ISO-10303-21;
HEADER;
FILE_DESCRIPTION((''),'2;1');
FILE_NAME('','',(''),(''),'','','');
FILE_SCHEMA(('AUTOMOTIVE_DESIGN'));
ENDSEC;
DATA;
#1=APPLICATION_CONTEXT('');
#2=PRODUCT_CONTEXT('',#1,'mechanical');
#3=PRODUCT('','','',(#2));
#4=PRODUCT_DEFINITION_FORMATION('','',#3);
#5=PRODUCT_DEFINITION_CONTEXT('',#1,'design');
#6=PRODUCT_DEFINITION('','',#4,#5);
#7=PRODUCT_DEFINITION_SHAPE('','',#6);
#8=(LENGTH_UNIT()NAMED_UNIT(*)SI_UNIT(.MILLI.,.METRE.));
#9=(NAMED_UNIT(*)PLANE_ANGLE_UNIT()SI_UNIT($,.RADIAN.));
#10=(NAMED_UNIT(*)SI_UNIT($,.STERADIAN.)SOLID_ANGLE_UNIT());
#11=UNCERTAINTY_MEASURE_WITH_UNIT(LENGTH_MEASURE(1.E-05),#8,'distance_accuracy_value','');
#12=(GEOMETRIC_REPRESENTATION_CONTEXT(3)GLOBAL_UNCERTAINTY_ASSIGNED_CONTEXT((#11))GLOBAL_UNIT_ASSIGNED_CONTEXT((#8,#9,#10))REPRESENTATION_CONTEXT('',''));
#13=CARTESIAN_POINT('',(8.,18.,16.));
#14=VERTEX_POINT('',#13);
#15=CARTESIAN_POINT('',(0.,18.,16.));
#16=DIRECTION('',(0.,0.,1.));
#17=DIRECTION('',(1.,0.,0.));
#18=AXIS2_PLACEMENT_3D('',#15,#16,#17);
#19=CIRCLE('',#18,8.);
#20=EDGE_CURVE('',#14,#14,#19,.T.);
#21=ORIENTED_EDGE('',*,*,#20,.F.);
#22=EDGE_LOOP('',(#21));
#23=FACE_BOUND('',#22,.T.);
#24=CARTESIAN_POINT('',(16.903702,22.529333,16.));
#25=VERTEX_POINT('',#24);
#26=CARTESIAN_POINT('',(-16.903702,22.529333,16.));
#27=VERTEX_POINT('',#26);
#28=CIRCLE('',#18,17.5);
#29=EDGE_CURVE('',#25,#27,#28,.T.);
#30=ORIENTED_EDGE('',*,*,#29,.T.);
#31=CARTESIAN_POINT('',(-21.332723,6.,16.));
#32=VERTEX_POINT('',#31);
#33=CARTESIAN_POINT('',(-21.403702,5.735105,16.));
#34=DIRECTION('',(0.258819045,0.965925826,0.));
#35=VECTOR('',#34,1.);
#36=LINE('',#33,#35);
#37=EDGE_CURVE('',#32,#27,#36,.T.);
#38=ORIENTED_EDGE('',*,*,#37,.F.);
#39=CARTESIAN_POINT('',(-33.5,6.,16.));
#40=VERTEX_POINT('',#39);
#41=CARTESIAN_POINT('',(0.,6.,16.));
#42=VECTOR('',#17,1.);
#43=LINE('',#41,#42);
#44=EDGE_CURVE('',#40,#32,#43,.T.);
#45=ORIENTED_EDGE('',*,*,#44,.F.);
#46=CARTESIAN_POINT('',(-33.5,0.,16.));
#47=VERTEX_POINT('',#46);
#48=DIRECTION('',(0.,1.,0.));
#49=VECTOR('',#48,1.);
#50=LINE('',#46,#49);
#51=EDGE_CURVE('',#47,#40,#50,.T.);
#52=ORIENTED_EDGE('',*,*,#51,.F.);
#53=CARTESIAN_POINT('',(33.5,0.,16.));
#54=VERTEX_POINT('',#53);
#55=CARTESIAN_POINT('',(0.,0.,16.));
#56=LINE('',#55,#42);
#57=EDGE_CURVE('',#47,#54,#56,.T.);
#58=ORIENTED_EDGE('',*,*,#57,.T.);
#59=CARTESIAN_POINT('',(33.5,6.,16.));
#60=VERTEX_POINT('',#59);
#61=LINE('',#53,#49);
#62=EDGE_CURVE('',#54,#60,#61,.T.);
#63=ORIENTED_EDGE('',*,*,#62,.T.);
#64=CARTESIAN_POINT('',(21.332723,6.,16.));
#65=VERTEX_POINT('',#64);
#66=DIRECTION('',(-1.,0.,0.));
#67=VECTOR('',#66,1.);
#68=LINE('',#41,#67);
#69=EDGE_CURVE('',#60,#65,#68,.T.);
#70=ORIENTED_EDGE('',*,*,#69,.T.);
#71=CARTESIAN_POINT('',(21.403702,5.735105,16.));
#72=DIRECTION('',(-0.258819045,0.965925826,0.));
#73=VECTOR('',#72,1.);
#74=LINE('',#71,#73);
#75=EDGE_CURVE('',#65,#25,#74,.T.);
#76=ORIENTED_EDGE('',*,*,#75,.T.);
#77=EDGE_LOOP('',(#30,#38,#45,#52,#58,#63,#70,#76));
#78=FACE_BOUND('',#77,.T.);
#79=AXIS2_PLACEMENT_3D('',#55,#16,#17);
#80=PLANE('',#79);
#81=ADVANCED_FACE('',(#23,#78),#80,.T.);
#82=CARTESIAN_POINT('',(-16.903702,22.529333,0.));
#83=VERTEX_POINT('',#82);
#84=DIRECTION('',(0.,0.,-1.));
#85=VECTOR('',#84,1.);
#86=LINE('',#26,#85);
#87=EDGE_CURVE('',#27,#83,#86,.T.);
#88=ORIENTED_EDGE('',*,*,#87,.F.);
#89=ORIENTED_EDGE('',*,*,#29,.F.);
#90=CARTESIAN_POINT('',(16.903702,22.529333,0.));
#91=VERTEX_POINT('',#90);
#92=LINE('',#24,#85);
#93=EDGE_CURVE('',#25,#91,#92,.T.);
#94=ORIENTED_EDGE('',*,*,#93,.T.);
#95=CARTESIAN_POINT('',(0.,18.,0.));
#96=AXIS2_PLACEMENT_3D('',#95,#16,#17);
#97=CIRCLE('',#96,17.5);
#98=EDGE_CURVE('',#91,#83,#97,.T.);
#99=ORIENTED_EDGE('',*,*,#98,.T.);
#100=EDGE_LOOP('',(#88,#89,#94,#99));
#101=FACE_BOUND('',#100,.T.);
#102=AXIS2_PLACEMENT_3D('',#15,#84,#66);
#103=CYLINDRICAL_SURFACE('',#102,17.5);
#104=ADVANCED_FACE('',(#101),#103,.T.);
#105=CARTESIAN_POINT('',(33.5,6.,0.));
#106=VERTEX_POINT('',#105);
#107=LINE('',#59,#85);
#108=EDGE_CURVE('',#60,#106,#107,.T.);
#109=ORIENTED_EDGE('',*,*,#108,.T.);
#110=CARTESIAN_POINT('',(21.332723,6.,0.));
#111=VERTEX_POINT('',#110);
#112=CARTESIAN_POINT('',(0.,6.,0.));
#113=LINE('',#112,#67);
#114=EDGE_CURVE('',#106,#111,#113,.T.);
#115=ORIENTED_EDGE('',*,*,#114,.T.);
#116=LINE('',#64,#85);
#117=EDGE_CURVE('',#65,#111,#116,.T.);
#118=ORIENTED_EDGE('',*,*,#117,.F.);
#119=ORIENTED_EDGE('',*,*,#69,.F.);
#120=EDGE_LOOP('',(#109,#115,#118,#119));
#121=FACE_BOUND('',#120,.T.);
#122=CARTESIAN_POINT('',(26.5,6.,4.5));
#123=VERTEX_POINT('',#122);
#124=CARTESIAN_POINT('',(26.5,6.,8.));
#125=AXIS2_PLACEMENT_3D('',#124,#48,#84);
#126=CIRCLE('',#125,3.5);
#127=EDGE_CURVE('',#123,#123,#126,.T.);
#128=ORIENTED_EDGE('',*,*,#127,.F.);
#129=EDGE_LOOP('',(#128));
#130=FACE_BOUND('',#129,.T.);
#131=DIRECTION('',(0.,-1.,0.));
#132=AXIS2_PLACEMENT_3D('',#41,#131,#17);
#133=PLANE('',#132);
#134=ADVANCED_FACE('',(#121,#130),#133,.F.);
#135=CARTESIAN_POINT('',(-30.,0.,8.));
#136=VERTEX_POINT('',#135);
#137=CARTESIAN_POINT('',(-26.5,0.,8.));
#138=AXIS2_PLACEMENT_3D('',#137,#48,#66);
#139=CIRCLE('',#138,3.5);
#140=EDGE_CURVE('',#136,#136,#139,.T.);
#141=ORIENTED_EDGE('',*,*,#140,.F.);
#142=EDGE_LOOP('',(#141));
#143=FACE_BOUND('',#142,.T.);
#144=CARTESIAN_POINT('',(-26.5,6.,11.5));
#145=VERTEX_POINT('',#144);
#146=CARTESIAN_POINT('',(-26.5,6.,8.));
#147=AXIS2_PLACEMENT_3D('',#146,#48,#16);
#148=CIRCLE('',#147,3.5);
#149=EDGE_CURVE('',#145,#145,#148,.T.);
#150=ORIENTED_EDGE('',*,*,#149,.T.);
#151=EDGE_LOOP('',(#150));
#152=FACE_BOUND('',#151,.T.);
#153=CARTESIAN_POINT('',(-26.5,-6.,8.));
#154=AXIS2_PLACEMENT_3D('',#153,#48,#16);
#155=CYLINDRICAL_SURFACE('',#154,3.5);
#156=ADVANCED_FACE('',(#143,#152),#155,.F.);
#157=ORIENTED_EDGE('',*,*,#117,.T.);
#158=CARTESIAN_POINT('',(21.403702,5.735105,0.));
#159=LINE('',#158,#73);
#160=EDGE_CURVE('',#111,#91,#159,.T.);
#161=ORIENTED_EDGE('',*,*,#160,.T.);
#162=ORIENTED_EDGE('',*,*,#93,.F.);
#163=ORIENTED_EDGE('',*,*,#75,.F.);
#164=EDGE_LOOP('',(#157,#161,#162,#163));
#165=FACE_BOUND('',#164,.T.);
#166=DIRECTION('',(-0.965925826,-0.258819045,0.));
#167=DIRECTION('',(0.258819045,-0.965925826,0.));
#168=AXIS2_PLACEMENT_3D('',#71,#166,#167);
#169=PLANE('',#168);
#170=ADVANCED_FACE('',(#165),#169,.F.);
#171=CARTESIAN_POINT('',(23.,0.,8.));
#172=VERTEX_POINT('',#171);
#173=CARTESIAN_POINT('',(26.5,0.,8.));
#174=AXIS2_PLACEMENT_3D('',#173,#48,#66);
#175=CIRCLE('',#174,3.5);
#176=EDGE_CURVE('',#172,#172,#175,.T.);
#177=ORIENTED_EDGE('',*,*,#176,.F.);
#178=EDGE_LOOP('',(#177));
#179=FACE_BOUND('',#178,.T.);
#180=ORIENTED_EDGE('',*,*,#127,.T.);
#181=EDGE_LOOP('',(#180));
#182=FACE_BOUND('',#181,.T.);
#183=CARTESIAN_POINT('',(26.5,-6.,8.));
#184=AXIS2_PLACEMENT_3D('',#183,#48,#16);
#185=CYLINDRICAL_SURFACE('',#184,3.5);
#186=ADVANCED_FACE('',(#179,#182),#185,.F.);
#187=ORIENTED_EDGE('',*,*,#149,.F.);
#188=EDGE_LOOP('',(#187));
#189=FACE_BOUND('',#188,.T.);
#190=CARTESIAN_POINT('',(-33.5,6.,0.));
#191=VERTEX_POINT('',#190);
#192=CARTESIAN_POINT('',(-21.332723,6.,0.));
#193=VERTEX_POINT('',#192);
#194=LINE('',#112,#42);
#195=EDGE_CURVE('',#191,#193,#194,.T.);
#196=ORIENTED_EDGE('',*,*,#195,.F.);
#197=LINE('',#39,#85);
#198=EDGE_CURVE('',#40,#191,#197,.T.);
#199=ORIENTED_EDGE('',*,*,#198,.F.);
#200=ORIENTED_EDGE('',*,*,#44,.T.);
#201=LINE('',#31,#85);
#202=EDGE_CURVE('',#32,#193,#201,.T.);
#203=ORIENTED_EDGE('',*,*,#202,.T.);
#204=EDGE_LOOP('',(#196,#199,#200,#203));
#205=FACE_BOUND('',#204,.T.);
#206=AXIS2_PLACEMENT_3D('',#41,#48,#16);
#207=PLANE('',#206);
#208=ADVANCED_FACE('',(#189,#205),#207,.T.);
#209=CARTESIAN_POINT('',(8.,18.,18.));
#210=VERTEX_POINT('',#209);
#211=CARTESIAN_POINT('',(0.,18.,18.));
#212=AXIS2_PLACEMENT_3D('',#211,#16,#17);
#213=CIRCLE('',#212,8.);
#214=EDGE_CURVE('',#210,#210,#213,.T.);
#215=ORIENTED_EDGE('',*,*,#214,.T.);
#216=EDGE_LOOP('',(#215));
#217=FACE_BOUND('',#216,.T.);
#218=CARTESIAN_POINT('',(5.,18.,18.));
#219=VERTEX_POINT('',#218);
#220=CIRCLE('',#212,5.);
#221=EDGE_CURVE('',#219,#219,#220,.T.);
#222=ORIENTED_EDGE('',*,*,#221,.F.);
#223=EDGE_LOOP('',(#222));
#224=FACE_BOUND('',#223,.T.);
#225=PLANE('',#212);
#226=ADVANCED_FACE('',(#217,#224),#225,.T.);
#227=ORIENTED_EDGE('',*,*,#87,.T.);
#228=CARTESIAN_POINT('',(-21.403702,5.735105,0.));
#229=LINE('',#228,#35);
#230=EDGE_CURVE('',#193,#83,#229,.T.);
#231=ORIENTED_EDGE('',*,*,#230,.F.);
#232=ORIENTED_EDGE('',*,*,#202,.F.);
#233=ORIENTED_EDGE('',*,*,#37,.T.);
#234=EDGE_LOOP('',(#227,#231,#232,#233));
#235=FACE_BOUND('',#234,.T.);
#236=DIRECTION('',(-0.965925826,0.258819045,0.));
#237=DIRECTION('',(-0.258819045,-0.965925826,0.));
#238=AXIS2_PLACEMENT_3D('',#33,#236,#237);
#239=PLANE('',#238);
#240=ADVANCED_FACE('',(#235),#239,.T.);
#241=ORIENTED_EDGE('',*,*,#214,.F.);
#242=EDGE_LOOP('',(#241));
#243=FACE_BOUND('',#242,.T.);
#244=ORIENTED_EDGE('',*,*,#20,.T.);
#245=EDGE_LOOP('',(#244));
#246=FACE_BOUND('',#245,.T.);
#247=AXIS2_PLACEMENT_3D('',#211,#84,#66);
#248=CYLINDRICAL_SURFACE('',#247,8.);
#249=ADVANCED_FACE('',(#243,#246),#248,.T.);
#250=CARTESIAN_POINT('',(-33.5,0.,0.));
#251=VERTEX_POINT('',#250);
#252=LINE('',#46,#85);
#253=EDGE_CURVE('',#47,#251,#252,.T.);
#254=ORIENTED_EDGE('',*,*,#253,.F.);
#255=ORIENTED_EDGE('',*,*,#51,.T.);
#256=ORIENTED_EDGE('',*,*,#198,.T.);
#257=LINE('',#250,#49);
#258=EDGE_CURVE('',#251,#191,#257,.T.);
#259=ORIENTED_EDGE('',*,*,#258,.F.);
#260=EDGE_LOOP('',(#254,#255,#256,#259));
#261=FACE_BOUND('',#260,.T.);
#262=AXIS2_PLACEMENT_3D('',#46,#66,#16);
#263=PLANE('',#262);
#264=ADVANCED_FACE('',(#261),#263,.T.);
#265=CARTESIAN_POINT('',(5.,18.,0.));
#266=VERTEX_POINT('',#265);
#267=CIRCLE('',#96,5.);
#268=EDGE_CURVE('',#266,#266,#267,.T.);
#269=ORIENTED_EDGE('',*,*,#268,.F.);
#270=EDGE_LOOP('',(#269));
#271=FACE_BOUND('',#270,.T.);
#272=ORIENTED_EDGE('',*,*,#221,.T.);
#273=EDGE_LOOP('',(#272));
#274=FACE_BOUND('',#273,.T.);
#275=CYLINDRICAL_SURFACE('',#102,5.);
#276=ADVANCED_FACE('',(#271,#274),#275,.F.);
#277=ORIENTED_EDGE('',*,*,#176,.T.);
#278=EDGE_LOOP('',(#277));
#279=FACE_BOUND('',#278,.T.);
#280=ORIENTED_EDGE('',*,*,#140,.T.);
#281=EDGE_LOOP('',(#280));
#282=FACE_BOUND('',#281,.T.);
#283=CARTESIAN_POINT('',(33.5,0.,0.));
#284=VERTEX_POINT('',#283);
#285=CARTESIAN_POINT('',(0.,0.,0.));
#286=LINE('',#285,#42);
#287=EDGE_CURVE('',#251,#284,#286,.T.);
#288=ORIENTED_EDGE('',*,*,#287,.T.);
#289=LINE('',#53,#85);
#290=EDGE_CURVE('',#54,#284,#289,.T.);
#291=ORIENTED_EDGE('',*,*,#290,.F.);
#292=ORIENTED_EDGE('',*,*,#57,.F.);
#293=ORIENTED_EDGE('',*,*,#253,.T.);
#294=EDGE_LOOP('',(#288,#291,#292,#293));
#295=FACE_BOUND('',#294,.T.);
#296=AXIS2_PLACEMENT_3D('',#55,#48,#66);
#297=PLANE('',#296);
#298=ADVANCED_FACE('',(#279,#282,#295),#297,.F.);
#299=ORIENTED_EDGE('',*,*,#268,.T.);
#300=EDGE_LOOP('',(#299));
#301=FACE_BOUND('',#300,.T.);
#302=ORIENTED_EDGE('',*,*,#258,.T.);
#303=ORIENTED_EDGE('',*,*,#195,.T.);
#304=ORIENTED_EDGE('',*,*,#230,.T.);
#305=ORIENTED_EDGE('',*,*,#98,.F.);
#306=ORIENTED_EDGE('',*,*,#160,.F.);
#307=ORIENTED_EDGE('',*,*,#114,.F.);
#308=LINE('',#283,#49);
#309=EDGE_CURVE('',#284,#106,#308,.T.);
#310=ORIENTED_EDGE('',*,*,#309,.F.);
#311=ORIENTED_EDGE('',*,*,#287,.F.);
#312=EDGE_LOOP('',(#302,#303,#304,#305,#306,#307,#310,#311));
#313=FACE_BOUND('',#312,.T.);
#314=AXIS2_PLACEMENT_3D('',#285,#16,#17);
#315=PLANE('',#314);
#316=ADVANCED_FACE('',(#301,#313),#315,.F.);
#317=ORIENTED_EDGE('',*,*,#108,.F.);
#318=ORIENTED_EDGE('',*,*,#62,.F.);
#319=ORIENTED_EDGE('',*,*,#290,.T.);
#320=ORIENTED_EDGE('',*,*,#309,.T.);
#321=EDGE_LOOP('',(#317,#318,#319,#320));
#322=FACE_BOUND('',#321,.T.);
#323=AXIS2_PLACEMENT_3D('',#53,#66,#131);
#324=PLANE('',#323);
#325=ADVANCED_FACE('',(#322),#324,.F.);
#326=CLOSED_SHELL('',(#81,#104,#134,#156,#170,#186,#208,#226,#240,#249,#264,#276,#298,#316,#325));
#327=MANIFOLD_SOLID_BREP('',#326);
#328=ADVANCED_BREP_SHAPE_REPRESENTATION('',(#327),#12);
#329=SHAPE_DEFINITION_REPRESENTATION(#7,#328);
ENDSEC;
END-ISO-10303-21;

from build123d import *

# Parameters (mm, degrees)
SKETCH_1_R          = 17.5
SKETCH_1_R_2        = 5
EXTRUDE_1_DEPTH     = 16
SKETCH_2_R          = 8
SKETCH_2_R_2        = 5
EXTRUDE_2_DEPTH     = 2
SKETCH_3_R          = 3.5
CUT_EXTRUDE_1_DEPTH = 12


with BuildPart() as part:
    # 草图1 → 凸台-拉伸1 (new body)
    # profile 1 of 2: a face of its own
    with BuildSketch(Plane.XY):
        with BuildLine():
            Line((-33.5, 6), (-33.5, 0))
            Line((-33.5, 0), (33.5, 0))
            Line((33.5, 0), (33.5, 6))
            Line((33.5, 6), (21.332723466, 6))
            Line((21.332723466, 6), (16.90370196, 22.529333289))
            ThreePointArc((16.90370196, 22.529333289), (17.350285074, 20.284208364), (17.5, 18))
            ThreePointArc((17.5, 18), (-2.284208364, 0.649714926), (-16.90370196, 22.529333289))
            Line((-16.90370196, 22.529333289), (-21.332723466, 6))
            Line((-21.332723466, 6), (-33.5, 6))
        make_face()
    # profile 2 of 2: a face of its own
    with BuildSketch(Plane.XY):
        with Locations((0, 18)):
            Circle(SKETCH_1_R)
        with Locations((0, 18)):
            Circle(SKETCH_1_R_2, mode=Mode.SUBTRACT)
    extrude(amount=EXTRUDE_1_DEPTH)

    # 草图2 → 凸台-拉伸2 (add)
    with BuildSketch(Plane.XY.offset(16)):
        with Locations((0, 18)):
            Circle(SKETCH_2_R)
        with Locations((0, 18)):
            Circle(SKETCH_2_R_2, mode=Mode.SUBTRACT)
    extrude(amount=EXTRUDE_2_DEPTH)

    # 草图3 → 切除-拉伸1 (cut)
    with BuildSketch(Plane(origin=(0, 6, 0), x_dir=(1, 0, 0), z_dir=(0, 1, 0))):
        with Locations(Location((-26.5, -8, 0), (0, 0, 270))):
            Circle(SKETCH_3_R)
        with Locations(Location((26.5, -8, 0), (0, 0, 180))):
            Circle(SKETCH_3_R)
    extrude(amount=-CUT_EXTRUDE_1_DEPTH, mode=Mode.SUBTRACT)


solid = part.part
